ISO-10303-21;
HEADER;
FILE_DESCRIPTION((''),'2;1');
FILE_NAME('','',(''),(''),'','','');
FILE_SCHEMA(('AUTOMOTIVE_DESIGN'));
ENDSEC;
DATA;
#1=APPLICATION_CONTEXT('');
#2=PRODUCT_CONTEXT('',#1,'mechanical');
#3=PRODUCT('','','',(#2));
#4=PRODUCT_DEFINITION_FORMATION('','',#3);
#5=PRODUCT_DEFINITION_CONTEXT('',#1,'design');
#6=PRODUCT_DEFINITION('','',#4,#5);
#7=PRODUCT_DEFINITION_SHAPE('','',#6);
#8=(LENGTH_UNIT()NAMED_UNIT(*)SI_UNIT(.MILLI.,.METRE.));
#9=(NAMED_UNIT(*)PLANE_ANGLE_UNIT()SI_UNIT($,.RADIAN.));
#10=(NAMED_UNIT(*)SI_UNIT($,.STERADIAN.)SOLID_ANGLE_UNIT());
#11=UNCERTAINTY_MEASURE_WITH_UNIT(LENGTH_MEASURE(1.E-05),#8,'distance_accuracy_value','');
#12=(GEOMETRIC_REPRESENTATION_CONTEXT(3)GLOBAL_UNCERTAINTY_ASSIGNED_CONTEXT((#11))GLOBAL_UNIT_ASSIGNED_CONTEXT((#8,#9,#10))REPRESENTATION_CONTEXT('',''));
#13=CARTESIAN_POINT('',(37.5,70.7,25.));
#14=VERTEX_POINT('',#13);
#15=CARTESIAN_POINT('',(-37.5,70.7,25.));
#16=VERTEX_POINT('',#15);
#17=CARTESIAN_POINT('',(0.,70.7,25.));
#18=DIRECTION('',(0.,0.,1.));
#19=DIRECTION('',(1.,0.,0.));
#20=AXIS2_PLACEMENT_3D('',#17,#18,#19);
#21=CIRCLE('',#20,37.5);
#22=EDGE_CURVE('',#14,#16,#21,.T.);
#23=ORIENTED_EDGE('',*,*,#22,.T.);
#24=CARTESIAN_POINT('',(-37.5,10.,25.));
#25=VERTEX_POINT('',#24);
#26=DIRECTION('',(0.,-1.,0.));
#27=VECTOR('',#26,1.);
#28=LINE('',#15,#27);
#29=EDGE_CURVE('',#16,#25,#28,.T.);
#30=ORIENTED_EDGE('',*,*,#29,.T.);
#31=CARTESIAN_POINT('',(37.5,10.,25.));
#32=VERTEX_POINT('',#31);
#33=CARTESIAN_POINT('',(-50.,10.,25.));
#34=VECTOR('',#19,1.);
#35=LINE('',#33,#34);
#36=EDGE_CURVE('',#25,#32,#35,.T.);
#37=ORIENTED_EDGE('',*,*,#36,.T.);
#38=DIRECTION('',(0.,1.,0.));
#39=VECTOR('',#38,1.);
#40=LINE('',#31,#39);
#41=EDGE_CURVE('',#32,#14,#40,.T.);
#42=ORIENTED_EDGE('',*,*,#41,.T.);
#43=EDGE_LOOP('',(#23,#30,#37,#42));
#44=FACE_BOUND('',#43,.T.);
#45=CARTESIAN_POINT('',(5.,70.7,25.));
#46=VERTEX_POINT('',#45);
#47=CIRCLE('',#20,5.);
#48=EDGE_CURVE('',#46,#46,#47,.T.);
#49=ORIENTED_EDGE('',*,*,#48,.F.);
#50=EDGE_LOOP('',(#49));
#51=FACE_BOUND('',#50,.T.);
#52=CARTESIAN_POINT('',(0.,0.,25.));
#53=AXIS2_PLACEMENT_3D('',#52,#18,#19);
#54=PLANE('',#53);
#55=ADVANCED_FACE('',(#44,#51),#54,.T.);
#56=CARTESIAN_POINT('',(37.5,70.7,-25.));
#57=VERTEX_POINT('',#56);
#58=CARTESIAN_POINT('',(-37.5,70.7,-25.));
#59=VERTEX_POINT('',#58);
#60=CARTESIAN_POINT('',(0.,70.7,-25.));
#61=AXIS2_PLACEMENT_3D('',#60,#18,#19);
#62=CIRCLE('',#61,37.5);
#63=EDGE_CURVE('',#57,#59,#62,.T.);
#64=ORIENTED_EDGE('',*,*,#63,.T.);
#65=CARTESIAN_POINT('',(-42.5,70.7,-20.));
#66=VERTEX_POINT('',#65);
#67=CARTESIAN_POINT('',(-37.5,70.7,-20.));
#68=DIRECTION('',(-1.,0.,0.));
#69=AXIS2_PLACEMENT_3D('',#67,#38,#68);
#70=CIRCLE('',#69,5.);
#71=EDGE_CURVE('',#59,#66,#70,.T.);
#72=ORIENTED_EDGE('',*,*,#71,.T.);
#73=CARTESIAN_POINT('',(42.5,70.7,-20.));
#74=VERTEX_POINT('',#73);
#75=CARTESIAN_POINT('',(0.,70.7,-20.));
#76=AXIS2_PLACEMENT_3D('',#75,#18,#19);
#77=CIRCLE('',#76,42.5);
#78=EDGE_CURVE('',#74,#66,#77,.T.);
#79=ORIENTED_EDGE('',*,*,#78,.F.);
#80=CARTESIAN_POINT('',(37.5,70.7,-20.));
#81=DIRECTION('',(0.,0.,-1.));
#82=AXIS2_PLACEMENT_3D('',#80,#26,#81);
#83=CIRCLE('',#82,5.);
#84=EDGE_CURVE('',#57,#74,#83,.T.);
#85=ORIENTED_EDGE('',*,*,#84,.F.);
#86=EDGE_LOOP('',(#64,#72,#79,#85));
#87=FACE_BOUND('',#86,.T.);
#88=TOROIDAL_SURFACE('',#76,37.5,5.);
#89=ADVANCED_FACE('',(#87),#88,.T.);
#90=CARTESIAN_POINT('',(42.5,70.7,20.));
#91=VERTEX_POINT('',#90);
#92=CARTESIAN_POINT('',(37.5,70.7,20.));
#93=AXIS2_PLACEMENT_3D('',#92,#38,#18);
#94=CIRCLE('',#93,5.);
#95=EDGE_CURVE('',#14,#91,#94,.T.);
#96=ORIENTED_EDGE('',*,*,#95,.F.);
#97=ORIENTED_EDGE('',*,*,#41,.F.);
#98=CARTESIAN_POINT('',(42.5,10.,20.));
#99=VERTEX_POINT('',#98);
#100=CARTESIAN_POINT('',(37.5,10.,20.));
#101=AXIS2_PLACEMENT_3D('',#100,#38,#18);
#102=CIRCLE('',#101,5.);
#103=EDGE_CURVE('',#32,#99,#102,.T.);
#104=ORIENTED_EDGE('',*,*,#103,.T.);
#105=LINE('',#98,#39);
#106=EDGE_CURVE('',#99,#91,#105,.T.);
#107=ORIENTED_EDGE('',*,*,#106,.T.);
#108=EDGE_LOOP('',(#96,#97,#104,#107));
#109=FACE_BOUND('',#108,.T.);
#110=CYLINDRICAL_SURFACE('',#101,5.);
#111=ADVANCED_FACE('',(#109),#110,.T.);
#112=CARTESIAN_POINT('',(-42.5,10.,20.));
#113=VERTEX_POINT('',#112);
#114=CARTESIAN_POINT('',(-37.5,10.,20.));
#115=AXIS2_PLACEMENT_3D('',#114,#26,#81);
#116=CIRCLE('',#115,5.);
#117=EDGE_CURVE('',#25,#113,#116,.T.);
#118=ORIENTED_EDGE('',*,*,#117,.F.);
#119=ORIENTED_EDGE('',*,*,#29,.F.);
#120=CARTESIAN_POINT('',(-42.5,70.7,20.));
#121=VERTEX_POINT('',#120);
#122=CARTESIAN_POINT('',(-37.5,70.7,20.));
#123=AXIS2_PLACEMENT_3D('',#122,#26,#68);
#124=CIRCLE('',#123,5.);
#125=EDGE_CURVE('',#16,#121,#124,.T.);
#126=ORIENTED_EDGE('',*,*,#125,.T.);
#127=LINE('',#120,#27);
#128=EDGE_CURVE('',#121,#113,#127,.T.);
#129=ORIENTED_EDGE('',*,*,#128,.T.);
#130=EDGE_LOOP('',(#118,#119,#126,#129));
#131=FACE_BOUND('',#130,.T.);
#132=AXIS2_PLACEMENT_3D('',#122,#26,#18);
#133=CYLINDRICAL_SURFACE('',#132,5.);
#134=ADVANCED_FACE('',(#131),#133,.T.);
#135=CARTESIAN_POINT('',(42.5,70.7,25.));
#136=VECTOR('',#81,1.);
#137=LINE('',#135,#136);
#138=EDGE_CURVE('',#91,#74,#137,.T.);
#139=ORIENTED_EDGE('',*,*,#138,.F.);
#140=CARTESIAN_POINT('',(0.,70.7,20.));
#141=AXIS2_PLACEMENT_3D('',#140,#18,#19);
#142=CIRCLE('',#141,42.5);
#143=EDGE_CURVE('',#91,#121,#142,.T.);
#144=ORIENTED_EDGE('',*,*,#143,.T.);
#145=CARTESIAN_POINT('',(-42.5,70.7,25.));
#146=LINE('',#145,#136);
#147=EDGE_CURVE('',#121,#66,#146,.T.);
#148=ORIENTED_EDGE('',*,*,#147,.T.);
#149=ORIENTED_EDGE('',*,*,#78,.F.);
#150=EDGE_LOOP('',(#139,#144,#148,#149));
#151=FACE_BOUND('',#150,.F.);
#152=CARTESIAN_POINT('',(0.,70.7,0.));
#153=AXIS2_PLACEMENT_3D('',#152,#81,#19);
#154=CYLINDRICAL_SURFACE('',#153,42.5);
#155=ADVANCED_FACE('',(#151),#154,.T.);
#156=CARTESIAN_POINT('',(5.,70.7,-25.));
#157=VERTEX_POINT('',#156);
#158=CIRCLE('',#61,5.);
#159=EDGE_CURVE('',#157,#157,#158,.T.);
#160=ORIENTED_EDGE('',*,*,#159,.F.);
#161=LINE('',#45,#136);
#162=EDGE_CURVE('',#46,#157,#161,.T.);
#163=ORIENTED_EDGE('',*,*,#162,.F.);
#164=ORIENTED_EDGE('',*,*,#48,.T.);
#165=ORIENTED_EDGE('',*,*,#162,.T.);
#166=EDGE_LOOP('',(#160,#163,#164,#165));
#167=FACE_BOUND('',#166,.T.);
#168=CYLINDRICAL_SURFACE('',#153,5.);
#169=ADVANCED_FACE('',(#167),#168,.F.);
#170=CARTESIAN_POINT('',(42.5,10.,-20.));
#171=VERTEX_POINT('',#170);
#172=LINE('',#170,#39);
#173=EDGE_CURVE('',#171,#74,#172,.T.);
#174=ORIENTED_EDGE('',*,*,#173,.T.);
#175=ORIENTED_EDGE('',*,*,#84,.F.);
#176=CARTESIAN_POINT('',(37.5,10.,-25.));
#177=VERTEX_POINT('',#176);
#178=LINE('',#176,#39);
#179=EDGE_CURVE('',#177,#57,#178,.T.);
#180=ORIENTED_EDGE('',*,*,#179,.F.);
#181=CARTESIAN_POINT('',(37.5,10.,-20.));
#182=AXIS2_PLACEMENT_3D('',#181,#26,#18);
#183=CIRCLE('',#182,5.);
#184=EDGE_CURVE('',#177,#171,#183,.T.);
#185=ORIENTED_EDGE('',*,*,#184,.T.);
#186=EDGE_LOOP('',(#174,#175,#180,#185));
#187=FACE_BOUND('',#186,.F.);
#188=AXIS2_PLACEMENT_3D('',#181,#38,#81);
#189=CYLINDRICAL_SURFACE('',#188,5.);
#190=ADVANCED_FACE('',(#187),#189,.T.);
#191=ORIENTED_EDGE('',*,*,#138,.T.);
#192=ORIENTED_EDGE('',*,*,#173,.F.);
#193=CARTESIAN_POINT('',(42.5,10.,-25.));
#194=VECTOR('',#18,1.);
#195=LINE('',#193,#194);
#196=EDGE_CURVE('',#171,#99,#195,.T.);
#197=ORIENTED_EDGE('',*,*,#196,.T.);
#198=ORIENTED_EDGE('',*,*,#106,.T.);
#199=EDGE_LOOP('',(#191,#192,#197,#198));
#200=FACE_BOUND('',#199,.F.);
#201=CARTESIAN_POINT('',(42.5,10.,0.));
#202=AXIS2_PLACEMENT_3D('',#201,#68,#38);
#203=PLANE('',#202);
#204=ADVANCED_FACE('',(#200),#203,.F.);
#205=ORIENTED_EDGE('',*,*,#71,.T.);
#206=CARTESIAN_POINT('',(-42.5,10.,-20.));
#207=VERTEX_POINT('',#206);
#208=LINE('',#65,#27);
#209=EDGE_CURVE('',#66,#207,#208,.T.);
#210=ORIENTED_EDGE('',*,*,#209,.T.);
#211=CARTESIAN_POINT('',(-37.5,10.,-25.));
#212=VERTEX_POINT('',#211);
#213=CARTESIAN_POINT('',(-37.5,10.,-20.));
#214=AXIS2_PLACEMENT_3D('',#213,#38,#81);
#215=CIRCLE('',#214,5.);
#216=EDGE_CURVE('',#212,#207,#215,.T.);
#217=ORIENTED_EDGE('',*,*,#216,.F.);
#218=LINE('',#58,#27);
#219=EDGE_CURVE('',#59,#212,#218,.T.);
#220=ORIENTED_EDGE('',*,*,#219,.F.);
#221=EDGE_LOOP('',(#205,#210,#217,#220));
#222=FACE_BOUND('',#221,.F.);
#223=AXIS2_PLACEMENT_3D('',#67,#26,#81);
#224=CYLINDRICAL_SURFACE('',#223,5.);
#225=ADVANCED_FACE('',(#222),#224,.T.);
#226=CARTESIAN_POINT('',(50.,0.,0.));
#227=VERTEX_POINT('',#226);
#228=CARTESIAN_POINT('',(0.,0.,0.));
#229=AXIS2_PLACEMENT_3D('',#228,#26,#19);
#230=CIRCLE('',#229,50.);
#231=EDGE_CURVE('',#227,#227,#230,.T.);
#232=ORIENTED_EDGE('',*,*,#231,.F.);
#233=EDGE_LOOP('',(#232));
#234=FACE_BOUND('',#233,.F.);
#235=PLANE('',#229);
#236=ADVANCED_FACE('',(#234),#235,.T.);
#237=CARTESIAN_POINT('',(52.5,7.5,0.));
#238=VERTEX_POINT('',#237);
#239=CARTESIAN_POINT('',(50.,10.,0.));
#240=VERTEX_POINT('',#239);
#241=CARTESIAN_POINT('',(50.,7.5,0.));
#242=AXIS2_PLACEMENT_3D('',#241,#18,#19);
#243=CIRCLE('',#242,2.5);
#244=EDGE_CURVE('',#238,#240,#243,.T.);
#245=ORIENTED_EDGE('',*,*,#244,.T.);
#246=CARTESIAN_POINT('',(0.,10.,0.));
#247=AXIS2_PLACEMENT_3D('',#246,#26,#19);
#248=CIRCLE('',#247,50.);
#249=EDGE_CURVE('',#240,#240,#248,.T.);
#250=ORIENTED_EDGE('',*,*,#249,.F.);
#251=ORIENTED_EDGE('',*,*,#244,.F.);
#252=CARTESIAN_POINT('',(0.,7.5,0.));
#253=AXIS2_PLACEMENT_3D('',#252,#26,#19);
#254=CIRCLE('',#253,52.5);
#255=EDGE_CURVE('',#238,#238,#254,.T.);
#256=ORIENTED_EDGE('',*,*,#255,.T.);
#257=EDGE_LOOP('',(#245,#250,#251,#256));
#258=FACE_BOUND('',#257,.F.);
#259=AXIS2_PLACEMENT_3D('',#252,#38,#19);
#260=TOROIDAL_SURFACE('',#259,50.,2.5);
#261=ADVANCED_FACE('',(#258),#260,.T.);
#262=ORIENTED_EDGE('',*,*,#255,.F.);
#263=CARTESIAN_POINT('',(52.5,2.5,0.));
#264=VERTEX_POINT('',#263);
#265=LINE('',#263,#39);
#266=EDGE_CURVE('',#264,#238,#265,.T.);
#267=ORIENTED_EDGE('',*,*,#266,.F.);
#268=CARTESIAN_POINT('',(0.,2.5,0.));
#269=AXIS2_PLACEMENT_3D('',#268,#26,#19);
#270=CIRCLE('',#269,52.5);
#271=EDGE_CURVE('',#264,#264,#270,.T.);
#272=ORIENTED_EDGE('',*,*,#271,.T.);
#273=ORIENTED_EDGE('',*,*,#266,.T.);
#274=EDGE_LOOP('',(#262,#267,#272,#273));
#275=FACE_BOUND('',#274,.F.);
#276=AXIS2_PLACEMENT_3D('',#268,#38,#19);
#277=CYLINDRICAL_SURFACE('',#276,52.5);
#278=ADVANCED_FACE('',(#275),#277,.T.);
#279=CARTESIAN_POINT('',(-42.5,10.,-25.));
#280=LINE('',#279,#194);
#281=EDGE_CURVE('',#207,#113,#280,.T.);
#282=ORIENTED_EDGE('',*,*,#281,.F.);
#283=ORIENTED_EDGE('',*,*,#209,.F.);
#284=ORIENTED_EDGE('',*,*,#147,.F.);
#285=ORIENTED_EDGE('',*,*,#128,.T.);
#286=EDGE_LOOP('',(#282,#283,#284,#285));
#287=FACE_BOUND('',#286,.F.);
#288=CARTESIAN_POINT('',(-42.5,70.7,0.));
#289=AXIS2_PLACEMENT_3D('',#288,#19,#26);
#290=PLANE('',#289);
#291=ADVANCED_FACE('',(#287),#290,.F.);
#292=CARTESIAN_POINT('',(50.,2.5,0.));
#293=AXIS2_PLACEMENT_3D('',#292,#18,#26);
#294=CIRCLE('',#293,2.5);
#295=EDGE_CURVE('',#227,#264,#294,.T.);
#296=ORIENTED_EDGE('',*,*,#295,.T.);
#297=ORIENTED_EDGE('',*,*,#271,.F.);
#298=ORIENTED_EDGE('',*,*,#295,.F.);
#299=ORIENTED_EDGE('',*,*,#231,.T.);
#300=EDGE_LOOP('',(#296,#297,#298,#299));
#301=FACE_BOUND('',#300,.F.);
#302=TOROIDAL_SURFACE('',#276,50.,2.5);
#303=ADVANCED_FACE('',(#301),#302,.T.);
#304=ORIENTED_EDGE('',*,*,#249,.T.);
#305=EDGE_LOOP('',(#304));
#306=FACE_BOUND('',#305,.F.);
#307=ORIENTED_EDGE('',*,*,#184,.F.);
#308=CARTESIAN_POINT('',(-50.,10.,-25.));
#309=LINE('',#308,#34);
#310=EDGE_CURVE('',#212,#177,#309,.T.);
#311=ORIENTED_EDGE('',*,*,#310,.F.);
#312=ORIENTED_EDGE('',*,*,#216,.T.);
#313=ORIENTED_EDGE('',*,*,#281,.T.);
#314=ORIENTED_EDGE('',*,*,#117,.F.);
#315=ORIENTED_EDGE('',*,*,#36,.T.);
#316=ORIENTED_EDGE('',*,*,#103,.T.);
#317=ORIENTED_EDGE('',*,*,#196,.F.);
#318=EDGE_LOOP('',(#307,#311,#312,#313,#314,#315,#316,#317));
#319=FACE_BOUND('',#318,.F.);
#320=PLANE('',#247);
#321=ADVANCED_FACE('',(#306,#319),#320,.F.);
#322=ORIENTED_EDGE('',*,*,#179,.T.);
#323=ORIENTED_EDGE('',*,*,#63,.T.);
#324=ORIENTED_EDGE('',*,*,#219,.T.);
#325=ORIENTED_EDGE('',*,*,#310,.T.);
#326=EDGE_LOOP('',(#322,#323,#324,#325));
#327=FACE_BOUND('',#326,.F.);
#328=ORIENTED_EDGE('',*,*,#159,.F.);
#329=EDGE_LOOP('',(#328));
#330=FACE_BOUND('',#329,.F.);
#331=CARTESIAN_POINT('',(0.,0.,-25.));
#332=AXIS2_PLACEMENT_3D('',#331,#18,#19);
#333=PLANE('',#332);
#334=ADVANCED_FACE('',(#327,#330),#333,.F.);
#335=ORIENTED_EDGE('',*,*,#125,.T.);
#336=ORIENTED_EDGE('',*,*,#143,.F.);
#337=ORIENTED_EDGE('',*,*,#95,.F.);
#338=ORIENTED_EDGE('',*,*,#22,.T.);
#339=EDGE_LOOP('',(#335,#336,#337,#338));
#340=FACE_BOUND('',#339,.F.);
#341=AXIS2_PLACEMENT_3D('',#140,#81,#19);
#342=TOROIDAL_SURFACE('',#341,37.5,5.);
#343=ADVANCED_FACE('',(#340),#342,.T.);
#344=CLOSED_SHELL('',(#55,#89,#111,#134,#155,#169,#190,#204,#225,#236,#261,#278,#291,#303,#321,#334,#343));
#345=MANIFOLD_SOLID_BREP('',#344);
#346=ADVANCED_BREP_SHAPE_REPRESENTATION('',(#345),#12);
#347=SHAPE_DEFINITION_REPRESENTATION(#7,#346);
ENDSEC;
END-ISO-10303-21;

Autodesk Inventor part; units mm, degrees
ref_plane "YZ Plane" through (0, 0, 0) normal (1, 0, 0) x (0, 1, 0)
ref_plane "XZ Plane" through (0, 0, 0) normal (0, 1, 0) x (-1, 0, 0)
ref_plane "XY Plane" through (0, 0, 0) normal (0, 0, 1) x (1, 0, 0)
sketch "Sketch1" plane through (0, 0, 0) normal (0, 0, 1) x (1, 0, 0)
  line L0 (0, 0) -> (50, 0)
  line L1 (52.5, 2.5) -> (52.5, 7.5)
  line L2 (50, 10) -> (0, 10)
  line L3 (0, 10) -> (0, 0)
  arc A0 (52.5, 7.5) -> (50, 10) centre (50, 7.5) ccw
  arc A1 (50, 0) -> (52.5, 2.5) centre (50, 2.5) ccw
  point P0 (52.5, 0)
  point P1 (52.5, 10)
  dimension "d0" = 105
  dimension "d1" = 10
  dimension "d2" = 2.5
revolve "Revolution1" add sketch "Sketch1" angle 360 about axis through (0, 10, 0) along (0, -1, 0)
sketch "Sketch2" plane through (0, 0, 0) normal (0, 0, 1) x (1, 0, 0)
  line L0 (-52.5, 2.5) -> (52.5, 2.5) projected
  line L1 (-50, 0) -> (50, 0) projected
  line L2 (-50, 10) -> (50, 10) projected
  line L3 (-52.5, 7.5) -> (52.5, 7.5) projected
  line L4 (-52.5, 7.5) -> (52.5, 7.5) projected
  line L5 (-52.5, 2.5) -> (52.5, 2.5) projected
  line L6 (-42.5, 10) -> (42.5, 10)
  line L7 (42.5, 10) -> (42.5, 70.7)
  line L8 (42.5, 70.7) -> (-42.5, 70.7) construction
  line L9 (-42.5, 70.7) -> (-42.5, 10)
  line L10 (0, 70.7) -> (0, 10) construction
  line L11 (-50, 10) -> (50, 10) projected
  arc A0 (42.5, 70.7) -> (-42.5, 70.7) centre (0, 70.7) ccw
  circle A1 centre (0, 70.7) radius 5
  point P0 (0, 0)
  point P1 (0, 0)
  dimension "d4" = 85
  dimension "d5" = 70.7
  dimension "d9" = 10
extrude "Extrusion1" add sketch "Sketch2" along normal mid plane 50
fillet "Fillet1" radius 5 6 edges at (-42.5, 40.35, 25) (42.5, 40.35, 25) (0, 113.2, 25) (42.5, 40.35, -25) (-42.5, 40.35, -25) (0, 113.2, -25)
properties part number "Base2"
